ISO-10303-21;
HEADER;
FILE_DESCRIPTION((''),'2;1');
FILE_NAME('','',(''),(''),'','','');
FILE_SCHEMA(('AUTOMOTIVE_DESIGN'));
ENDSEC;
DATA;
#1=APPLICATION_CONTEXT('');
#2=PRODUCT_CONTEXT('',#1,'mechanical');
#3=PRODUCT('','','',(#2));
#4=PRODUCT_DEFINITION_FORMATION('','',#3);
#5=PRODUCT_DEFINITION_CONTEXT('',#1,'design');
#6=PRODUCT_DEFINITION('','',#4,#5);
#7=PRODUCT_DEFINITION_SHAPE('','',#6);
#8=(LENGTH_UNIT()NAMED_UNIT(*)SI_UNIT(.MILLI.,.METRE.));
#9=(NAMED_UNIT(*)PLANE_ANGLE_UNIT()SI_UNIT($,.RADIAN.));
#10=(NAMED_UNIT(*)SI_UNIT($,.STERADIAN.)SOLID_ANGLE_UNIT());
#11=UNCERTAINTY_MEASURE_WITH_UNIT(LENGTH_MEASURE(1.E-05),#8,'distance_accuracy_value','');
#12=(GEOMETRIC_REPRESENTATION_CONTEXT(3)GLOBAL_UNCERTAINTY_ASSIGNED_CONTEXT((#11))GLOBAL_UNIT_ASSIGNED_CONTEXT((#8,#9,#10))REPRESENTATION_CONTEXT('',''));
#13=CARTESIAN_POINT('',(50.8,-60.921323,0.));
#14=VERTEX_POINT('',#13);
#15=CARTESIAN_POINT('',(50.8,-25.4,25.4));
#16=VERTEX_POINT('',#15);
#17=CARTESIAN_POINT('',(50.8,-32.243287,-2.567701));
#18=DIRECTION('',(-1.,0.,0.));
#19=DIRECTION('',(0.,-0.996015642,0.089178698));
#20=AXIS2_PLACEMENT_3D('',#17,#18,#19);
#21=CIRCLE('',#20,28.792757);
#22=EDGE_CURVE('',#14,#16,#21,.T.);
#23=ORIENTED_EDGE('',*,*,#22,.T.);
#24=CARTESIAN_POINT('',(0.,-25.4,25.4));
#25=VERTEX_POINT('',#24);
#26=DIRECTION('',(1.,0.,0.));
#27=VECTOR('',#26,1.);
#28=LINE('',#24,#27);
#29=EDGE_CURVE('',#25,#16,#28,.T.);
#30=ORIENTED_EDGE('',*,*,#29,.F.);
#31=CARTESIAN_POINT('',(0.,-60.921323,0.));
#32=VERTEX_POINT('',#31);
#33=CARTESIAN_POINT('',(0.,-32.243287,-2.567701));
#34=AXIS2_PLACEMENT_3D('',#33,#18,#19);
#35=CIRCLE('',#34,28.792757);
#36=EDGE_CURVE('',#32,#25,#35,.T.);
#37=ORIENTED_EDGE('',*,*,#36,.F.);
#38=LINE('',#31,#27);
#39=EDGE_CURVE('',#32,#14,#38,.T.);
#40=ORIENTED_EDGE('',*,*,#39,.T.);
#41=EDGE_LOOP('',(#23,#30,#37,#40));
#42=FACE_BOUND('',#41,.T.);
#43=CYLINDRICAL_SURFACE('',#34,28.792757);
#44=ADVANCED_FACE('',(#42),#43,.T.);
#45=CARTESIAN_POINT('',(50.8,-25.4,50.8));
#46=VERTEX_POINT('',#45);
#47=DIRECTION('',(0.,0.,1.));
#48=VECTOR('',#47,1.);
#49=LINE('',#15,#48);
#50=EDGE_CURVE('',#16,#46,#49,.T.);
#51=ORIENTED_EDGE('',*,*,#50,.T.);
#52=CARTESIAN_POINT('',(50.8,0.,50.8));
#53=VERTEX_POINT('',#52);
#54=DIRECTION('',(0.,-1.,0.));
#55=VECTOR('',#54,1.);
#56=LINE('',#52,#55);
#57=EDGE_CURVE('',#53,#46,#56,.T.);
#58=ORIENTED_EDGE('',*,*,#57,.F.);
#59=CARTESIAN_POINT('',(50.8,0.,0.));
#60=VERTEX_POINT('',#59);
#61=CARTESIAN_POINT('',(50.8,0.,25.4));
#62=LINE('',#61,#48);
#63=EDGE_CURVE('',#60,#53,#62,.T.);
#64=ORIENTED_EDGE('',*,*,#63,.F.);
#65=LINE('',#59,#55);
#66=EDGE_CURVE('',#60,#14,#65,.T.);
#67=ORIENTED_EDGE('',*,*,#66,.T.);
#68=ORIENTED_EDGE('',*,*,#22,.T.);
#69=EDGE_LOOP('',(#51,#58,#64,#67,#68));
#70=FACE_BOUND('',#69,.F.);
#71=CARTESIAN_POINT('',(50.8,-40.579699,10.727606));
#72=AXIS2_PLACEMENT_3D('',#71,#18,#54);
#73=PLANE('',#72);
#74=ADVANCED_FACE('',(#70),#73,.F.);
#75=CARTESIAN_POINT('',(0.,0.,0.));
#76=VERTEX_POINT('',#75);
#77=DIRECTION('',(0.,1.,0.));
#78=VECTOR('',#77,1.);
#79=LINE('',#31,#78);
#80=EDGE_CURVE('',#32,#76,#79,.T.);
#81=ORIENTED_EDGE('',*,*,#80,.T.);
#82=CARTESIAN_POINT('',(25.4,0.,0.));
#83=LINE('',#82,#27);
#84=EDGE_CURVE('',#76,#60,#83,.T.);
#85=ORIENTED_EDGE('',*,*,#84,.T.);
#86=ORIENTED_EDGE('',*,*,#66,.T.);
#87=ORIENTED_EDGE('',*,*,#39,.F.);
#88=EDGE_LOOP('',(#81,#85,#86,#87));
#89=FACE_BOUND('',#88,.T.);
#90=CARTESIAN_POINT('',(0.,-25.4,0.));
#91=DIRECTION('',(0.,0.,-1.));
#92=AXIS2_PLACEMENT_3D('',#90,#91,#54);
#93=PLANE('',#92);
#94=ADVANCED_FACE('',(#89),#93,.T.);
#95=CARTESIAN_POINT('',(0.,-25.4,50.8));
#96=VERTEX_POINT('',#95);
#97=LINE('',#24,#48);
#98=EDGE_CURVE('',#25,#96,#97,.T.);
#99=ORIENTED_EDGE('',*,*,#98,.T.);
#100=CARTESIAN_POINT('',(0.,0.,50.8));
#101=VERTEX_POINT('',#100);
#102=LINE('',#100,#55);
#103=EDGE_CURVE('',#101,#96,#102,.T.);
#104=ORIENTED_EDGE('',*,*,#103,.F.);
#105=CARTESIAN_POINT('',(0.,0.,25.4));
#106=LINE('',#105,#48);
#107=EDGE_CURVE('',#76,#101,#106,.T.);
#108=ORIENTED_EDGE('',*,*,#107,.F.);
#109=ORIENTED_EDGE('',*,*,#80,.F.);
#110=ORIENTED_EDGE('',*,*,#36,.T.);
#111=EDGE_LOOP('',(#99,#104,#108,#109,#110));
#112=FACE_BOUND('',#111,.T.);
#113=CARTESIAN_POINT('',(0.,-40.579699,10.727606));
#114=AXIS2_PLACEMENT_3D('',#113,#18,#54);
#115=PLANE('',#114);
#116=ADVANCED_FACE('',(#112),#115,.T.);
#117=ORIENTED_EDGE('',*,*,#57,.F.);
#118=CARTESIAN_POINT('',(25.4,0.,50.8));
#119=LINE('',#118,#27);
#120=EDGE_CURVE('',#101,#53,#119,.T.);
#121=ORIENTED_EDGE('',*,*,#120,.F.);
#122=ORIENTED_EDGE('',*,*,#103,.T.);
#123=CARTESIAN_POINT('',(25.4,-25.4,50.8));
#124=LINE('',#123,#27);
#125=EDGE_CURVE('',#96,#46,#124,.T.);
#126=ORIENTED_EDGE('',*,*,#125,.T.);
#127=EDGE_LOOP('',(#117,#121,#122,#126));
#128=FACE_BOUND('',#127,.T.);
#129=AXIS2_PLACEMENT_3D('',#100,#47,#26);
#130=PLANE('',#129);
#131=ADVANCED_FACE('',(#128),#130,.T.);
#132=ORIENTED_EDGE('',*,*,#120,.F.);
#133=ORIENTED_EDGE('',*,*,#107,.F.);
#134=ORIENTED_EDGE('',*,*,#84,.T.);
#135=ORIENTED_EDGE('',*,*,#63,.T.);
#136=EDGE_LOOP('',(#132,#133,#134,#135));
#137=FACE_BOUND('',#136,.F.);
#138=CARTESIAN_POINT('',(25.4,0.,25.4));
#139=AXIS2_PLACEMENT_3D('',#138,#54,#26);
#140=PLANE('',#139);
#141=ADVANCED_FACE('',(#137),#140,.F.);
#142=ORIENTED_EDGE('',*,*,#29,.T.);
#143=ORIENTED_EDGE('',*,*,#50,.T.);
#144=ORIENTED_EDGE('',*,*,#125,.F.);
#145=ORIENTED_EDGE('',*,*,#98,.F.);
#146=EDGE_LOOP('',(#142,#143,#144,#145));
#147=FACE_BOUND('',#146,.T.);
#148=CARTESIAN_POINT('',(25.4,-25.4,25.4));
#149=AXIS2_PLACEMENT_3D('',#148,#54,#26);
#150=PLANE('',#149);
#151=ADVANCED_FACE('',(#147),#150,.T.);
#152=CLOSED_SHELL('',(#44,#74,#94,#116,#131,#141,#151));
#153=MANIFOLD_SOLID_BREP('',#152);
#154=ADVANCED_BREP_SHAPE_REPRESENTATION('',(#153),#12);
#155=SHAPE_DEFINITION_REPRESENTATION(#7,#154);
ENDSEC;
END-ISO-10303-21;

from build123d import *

# Parameters (mm, degrees)
F0_W     = 50.8
F0_H     = 50.8
F1_DEPTH = 25.4
F3_DEPTH = 50.8


with BuildPart() as f1:
    # F0 (on Front) → F1 (new body)
    with BuildSketch(Plane.XZ):
        with Locations((25.4, 25.4)):
            Rectangle(F0_W, F0_H)
    extrude(amount=F1_DEPTH)

    # F2 (on face) → F3 (join)
    with BuildSketch(Plane(origin=(0, 0, 0), x_dir=(0, -1, 0), z_dir=(-1, 0, 0))):
        with BuildLine():
            Line((25.4, 0), (60.921323, 0))
            ThreePointArc((60.921323, 0), (48.990796, 20.853311), (25.4, 25.4))
            Line((25.4, 25.4), (25.4, 0))
        make_face()
    extrude(amount=-F3_DEPTH)


solid = f1.part
